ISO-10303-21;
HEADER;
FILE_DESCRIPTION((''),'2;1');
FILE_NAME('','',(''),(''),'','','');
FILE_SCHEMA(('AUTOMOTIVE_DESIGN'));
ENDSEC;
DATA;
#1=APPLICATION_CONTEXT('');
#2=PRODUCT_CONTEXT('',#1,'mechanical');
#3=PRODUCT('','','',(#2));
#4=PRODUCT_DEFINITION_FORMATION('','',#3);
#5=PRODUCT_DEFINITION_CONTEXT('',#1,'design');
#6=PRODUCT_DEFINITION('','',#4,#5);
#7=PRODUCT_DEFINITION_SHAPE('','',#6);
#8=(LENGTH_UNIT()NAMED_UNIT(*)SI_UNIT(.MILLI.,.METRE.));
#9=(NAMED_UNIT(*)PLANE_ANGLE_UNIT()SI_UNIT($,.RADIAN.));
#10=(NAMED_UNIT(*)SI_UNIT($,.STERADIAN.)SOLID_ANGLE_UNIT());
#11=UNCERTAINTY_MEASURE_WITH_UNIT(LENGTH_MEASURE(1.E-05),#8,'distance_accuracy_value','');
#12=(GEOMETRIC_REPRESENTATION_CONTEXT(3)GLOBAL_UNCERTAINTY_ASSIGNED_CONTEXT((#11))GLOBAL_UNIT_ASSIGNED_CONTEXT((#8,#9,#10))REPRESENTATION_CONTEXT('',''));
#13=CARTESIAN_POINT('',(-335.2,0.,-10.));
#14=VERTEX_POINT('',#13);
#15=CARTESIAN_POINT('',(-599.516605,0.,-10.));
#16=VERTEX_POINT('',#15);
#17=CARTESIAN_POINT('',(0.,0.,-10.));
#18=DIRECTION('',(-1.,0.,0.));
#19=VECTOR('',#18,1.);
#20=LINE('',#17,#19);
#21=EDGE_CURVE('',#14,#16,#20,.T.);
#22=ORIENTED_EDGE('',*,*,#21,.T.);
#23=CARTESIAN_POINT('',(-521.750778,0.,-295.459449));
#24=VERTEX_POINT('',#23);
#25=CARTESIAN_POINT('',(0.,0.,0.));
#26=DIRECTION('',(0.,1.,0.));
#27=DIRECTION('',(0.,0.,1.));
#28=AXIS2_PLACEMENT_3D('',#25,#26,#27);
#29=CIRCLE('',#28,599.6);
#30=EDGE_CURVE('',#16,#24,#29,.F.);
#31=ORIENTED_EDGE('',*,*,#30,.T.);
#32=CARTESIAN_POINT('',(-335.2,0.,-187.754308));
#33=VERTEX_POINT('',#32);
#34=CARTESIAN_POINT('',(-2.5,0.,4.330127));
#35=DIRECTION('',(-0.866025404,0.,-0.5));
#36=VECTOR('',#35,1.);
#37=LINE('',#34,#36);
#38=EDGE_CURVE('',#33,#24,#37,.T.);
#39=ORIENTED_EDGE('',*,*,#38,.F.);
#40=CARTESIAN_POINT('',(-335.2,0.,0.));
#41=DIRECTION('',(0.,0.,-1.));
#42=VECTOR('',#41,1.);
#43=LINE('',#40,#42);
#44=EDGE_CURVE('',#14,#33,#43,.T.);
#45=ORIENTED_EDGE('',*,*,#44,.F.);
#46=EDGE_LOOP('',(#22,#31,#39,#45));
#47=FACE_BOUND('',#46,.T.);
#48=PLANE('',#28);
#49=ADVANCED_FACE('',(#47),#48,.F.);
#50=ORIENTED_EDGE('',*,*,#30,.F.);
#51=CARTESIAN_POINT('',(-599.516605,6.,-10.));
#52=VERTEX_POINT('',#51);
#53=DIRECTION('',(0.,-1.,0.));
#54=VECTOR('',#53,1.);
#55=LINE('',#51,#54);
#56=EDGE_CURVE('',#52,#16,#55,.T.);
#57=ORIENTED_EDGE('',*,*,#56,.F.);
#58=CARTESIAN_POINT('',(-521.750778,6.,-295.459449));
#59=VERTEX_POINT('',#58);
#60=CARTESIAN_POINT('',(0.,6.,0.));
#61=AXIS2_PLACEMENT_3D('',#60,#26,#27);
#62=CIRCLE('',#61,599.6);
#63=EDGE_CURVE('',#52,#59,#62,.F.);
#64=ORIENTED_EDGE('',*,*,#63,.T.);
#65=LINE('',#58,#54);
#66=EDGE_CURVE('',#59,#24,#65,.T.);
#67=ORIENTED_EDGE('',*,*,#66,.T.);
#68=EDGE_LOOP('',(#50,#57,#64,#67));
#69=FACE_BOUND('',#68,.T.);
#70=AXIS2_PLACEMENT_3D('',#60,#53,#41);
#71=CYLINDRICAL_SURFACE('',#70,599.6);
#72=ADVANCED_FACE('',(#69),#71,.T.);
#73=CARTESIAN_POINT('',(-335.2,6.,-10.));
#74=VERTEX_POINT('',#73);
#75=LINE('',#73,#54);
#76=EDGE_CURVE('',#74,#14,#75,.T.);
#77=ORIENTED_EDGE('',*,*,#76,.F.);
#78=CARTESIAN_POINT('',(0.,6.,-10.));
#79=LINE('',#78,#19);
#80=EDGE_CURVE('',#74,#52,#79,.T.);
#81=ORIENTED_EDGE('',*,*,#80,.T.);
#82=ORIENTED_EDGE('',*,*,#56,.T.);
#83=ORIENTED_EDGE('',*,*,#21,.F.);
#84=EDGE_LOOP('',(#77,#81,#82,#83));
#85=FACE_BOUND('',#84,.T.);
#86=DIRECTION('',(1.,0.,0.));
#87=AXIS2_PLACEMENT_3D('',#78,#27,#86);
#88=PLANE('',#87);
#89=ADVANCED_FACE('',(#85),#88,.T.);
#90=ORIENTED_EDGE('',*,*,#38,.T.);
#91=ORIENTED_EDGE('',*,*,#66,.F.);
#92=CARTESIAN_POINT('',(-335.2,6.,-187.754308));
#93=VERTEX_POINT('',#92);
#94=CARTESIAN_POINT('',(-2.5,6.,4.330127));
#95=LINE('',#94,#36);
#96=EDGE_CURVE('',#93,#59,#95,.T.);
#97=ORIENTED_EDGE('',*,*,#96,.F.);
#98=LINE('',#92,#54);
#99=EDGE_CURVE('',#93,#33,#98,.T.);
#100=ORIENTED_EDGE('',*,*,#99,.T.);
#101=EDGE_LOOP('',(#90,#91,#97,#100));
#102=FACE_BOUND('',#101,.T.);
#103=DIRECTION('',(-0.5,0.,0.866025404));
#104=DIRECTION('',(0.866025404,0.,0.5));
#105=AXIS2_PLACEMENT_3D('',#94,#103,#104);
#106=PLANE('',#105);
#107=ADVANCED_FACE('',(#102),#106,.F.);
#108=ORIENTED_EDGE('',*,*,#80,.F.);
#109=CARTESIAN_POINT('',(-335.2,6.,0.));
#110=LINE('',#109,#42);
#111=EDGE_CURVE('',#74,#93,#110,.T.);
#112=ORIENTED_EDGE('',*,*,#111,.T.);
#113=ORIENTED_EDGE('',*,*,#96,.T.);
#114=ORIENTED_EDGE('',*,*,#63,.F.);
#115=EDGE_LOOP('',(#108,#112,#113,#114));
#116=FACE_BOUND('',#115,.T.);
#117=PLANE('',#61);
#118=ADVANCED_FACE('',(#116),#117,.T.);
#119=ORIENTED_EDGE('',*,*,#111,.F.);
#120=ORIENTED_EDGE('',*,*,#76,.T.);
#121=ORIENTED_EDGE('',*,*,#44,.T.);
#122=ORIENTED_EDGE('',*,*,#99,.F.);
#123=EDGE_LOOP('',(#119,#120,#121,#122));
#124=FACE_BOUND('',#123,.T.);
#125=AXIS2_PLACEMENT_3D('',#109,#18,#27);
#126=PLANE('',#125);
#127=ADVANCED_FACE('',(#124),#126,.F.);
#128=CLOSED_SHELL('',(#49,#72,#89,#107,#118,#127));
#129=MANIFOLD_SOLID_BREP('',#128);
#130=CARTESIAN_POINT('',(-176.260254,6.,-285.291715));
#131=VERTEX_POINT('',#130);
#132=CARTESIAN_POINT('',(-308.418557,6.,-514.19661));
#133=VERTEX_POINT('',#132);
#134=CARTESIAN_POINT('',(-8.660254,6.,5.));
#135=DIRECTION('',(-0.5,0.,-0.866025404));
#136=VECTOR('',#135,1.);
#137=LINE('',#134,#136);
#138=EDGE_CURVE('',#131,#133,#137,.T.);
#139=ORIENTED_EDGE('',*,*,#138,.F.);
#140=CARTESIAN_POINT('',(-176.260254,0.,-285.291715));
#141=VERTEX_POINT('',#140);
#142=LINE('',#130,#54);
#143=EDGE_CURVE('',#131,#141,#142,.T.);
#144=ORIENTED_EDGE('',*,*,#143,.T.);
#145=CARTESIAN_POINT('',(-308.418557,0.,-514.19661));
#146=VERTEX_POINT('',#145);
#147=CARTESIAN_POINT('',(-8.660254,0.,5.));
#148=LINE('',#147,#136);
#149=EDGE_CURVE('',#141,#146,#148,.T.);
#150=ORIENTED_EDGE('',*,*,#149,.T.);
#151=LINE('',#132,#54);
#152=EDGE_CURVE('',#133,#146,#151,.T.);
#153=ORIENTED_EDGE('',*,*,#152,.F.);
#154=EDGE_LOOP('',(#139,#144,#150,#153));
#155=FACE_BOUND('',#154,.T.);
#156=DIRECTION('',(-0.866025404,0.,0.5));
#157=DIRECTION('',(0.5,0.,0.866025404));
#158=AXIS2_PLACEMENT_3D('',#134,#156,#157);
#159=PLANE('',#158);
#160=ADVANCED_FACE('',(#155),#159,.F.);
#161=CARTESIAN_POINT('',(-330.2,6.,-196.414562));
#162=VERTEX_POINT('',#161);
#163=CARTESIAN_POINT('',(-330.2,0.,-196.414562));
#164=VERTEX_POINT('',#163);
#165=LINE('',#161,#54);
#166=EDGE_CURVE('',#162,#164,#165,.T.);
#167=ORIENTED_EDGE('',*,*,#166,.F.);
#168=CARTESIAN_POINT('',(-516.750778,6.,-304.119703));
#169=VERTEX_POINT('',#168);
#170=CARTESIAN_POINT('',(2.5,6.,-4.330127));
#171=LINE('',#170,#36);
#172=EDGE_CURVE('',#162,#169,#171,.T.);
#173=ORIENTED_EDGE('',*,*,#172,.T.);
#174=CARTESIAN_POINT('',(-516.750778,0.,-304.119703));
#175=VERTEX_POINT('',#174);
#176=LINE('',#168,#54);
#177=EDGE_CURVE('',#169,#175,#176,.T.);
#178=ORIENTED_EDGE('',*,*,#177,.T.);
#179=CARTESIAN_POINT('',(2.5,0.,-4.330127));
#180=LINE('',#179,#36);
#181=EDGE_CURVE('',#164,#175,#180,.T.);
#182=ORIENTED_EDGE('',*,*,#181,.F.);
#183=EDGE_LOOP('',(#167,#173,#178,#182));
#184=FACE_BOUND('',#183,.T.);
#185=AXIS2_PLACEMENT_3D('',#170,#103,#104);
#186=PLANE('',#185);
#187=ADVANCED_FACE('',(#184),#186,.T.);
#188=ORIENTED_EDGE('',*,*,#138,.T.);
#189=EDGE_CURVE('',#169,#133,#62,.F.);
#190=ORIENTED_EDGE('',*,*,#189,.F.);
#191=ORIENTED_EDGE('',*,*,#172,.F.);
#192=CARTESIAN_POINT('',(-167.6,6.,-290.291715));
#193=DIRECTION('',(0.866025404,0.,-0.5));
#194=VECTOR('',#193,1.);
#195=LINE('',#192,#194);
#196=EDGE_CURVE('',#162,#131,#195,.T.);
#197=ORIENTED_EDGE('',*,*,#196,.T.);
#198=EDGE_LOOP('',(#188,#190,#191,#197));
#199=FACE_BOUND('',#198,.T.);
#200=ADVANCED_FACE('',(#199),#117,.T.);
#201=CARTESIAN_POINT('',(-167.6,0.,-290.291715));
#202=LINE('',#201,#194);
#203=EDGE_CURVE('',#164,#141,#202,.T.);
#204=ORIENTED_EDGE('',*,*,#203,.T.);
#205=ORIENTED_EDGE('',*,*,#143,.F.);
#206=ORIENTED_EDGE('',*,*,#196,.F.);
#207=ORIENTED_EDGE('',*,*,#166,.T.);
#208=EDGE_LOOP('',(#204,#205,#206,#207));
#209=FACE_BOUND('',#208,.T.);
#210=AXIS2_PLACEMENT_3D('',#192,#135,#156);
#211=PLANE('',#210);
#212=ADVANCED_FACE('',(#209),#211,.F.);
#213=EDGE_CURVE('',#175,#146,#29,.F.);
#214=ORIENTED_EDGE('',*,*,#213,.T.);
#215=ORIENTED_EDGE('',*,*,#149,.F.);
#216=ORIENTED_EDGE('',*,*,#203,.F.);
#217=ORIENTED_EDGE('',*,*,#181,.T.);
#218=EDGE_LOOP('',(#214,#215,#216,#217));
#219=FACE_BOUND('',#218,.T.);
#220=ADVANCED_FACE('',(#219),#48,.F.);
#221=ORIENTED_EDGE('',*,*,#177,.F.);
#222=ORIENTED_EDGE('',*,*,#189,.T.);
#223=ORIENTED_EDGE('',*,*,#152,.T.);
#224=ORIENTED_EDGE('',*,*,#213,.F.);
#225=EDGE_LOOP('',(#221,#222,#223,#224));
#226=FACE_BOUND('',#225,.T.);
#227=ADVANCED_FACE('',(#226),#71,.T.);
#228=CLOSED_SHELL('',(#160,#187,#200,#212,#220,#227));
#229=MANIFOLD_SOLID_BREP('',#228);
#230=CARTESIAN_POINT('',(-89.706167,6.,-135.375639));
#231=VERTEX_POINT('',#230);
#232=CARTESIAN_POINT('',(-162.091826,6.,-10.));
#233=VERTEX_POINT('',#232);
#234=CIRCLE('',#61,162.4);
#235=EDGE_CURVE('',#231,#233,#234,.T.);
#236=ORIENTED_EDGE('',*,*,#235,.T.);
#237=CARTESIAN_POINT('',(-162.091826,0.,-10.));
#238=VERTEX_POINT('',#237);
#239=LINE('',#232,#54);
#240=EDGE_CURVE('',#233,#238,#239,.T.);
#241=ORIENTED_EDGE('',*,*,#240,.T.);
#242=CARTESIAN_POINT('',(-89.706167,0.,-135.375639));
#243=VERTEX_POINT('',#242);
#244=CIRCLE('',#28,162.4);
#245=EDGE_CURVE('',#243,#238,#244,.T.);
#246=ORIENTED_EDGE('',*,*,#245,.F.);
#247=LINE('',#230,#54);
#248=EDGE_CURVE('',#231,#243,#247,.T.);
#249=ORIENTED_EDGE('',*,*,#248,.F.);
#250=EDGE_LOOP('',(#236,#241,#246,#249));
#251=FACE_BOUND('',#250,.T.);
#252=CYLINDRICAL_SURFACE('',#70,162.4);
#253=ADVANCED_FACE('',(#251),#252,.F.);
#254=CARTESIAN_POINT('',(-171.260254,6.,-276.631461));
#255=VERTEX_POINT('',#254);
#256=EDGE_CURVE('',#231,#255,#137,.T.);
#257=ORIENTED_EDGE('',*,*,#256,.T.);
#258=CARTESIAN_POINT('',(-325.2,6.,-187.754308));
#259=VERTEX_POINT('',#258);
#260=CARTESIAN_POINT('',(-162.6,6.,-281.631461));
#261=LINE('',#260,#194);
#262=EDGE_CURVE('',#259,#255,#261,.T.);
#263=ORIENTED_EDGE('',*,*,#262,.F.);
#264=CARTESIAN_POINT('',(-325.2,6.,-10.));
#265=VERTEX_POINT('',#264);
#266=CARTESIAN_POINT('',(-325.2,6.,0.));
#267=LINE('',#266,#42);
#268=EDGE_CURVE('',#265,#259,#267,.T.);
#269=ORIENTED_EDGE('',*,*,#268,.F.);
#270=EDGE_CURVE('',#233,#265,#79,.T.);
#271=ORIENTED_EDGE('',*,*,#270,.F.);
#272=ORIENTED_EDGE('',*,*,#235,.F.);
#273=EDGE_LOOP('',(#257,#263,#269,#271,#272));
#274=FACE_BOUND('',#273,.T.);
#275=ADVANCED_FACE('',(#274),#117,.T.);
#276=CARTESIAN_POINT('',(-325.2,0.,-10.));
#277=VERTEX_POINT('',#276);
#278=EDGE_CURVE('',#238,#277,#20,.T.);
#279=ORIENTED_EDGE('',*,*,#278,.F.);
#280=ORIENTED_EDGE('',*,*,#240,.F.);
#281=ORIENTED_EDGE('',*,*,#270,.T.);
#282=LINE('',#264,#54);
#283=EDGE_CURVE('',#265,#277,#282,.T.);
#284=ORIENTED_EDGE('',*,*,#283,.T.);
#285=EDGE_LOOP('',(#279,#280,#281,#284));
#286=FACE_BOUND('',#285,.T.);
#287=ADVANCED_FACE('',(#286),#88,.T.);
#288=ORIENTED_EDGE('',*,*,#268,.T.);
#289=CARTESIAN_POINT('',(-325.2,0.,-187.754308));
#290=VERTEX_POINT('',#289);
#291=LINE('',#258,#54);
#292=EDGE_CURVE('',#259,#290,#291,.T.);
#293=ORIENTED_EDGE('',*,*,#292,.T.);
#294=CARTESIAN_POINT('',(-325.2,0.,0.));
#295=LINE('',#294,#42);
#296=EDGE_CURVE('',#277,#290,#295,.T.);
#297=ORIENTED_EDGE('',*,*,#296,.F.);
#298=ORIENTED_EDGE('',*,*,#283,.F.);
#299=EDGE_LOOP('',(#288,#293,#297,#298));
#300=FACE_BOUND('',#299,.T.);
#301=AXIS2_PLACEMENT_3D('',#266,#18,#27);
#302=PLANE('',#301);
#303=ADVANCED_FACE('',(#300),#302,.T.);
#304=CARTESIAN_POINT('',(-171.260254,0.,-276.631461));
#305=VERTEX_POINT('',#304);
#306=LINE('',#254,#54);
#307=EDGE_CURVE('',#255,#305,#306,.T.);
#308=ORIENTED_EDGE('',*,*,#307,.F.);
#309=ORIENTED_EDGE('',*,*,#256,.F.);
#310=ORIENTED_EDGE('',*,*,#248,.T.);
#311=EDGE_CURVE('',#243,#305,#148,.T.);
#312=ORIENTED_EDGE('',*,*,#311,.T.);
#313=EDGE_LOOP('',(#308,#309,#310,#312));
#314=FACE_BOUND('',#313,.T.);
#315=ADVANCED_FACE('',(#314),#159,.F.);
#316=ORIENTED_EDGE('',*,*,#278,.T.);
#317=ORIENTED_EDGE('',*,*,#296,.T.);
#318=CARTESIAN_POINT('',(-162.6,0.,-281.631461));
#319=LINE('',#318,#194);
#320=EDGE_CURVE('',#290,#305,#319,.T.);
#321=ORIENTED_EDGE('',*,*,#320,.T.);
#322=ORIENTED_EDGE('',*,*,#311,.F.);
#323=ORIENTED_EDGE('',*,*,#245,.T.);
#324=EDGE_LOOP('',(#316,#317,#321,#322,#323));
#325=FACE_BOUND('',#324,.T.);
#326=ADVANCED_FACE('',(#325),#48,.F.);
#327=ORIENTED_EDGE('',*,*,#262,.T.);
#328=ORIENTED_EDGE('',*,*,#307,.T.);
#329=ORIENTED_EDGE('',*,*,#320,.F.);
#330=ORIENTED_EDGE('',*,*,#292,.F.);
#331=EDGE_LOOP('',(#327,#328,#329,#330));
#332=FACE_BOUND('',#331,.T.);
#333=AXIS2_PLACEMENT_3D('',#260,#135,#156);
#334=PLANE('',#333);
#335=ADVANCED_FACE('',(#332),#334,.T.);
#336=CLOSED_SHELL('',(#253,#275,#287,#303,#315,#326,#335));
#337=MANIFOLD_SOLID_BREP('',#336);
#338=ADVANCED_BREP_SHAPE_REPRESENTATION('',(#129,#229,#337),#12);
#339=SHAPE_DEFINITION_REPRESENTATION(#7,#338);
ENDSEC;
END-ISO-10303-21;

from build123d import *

# Parameters (mm, degrees)
BOSS_EXTRUDE1_DEPTH   = 6
BOSS_EXTRUDE1_2_DEPTH = 6
BOSS_EXTRUDE1_3_DEPTH = 6


with BuildPart() as part:
    # Sketch1 → Boss-Extrude1 (new body)
    with BuildSketch(Plane(origin=(0, 0, 0), x_dir=(1, 0, 0), z_dir=(0, 1, 0))):
        with BuildLine():
            ThreePointArc((-599.516605275, 10), (-578.516992176, 157.601553812), (-521.750777563, 295.459449184))
            Line((-521.750777563, 295.459449184), (-335.2, 187.75430754))
            Line((-335.2, 187.75430754), (-335.2, 10))
            Line((-335.2, 10), (-599.516605275, 10))
        make_face()
    extrude(amount=BOSS_EXTRUDE1_DEPTH)


with BuildPart() as body_2:
    # Sketch1 → Boss-Extrude1 2 (new body)
    with BuildSketch(Plane(origin=(0, 0, 0), x_dir=(1, 0, 0), z_dir=(0, 1, 0))):
        with BuildLine():
            ThreePointArc((-516.750777563, 304.119703222), (-425.745445365, 422.209634839), (-308.418556675, 514.196610158))
            Line((-308.418556675, 514.196610158), (-176.260254038, 285.291715349))
            Line((-176.260254038, 285.291715349), (-330.2, 196.414561578))
            Line((-330.2, 196.414561578), (-516.750777563, 304.119703222))
        make_face()
    extrude(amount=BOSS_EXTRUDE1_2_DEPTH)


with BuildPart() as body_3:
    # Sketch1 → Boss-Extrude1 3 (new body)
    with BuildSketch(Plane(origin=(0, 0, 0), x_dir=(1, 0, 0), z_dir=(0, 1, 0))):
        with BuildLine():
            ThreePointArc((-89.706166951, 135.375638912), (-140.642525575, 81.2), (-162.091825827, 10))
            Line((-162.091825827, 10), (-325.2, 10))
            Line((-325.2, 10), (-325.2, 187.75430754))
            Line((-325.2, 187.75430754), (-171.260254038, 276.631461311))
            Line((-171.260254038, 276.631461311), (-89.706166951, 135.375638912))
        make_face()
    extrude(amount=BOSS_EXTRUDE1_3_DEPTH)


solid = Compound([part.part, body_2.part, body_3.part])
